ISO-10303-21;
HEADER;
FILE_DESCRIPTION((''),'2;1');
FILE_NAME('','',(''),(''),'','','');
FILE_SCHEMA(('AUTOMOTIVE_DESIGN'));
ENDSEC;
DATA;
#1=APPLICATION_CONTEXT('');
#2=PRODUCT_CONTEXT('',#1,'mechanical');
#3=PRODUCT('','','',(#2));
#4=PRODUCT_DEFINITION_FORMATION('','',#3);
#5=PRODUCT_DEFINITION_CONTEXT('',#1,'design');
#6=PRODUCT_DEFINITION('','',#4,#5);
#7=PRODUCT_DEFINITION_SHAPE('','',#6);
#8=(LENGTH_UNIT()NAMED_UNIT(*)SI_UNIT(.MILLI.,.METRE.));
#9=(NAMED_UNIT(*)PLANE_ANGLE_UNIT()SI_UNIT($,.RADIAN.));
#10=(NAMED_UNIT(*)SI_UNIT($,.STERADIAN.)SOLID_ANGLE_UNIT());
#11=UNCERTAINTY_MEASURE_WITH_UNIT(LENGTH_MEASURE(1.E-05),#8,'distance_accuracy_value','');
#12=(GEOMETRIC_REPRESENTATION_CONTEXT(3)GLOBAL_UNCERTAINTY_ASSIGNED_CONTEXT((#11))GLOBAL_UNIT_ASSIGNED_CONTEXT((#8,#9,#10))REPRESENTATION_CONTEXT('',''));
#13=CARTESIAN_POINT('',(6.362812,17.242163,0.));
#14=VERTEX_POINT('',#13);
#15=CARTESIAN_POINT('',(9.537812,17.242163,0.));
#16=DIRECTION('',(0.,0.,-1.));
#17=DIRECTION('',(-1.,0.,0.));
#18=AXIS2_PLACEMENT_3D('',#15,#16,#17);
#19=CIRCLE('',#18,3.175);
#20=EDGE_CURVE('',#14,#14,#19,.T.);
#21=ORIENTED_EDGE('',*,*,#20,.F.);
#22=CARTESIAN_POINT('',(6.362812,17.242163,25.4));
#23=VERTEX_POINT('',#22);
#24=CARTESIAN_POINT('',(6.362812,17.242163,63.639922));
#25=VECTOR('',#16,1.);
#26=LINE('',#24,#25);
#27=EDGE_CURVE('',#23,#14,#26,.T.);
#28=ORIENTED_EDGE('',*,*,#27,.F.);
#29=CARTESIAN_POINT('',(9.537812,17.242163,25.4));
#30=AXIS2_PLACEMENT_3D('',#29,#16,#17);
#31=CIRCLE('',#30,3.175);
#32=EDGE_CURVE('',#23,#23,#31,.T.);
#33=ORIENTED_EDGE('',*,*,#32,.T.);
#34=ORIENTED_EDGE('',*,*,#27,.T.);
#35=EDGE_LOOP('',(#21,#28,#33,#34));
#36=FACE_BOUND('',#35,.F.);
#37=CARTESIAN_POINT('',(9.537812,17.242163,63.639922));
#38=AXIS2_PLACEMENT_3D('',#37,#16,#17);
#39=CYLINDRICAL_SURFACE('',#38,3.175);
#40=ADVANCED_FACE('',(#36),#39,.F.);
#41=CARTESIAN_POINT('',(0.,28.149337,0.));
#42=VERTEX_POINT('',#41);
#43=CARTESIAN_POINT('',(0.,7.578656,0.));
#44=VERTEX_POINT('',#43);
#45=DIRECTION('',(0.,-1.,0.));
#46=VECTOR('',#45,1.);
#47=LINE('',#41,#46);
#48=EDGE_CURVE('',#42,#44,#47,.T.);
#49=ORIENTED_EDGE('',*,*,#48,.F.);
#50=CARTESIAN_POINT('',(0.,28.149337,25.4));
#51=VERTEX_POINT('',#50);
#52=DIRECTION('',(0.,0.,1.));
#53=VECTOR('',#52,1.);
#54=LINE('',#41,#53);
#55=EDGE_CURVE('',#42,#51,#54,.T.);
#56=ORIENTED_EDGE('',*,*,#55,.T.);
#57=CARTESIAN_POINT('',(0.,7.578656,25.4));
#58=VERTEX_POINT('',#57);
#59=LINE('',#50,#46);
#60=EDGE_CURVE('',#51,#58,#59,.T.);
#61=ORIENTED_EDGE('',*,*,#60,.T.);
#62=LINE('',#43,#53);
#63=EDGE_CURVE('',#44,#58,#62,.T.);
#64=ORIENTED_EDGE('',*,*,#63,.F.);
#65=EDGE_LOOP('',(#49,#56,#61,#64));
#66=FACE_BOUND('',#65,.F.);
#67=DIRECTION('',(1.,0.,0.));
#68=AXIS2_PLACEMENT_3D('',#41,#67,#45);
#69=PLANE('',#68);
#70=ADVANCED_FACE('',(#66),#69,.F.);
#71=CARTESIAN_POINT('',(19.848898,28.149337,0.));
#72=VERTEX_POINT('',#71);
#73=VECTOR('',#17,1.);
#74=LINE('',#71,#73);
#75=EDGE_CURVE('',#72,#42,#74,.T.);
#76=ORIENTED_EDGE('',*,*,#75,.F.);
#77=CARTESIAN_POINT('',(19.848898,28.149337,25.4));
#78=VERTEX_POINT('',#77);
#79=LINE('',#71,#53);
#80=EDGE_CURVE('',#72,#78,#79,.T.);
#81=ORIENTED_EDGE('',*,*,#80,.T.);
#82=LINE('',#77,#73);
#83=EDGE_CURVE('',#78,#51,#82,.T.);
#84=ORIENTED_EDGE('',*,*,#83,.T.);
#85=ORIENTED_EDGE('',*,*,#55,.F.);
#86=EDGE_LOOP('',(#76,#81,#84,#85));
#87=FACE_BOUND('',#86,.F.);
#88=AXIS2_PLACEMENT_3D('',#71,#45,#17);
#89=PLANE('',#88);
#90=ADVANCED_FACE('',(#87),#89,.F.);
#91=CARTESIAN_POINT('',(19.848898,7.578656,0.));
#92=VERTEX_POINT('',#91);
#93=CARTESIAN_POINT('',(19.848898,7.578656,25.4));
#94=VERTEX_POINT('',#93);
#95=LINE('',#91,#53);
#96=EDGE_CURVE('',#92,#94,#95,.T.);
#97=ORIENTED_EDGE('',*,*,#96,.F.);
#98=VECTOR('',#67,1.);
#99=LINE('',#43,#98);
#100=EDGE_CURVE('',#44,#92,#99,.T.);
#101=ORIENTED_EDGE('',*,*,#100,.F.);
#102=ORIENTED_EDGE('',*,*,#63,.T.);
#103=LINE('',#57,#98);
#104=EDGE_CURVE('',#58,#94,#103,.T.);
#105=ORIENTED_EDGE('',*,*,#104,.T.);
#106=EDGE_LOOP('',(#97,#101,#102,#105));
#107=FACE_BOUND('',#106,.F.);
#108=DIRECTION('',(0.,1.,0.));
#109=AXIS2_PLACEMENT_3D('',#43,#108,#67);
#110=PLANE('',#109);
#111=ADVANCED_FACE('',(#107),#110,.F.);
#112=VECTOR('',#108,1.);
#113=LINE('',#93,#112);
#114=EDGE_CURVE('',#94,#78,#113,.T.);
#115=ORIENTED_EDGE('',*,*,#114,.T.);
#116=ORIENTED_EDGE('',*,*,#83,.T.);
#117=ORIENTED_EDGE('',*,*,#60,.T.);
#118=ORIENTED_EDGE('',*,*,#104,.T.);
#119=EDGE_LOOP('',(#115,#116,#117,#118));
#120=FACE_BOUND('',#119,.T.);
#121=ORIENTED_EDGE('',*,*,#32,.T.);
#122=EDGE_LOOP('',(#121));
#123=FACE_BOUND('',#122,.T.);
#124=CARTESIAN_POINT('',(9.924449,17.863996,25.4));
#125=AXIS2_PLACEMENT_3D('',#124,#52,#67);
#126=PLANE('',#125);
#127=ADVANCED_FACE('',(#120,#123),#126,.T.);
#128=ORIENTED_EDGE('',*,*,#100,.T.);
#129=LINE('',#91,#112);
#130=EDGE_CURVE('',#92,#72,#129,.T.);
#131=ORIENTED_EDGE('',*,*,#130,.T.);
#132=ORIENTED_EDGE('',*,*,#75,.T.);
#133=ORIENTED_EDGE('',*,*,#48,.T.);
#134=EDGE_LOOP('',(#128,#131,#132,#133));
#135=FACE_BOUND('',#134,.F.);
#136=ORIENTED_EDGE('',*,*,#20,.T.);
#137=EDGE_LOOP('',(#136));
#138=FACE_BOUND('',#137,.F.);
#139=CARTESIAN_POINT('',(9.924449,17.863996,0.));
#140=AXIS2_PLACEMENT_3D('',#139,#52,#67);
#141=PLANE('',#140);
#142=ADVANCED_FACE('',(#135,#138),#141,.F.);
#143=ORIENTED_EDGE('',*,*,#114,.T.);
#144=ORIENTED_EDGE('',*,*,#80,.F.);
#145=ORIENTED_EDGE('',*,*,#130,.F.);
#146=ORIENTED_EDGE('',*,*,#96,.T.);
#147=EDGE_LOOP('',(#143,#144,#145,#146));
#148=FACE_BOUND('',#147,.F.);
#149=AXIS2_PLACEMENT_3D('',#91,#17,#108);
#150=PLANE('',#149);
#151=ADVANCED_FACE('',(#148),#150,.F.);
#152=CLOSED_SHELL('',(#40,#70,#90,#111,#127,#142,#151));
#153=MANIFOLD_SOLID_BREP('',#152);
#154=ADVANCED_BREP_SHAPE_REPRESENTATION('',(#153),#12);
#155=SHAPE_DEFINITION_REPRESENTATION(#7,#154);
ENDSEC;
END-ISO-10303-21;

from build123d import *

# Parameters (mm, degrees)
F1_DEPTH = 25.4
F3_D     = 6.35


with BuildPart() as f1:
    # F0 (on Top) → F1 (new body)
    with BuildSketch(Plane.XY):
        Polygon((0, 15.87911), (0, 7.578656), (19.848898, 7.578656), (19.848898, 28.149337), (0, 28.149337), align=None)
    extrude(amount=F1_DEPTH)

    # F3 (through all)
    with Locations(Plane.XY.offset(25.4)):
        with Locations((9.537812, 17.242163)):
            Hole(F3_D / 2)


solid = f1.part
